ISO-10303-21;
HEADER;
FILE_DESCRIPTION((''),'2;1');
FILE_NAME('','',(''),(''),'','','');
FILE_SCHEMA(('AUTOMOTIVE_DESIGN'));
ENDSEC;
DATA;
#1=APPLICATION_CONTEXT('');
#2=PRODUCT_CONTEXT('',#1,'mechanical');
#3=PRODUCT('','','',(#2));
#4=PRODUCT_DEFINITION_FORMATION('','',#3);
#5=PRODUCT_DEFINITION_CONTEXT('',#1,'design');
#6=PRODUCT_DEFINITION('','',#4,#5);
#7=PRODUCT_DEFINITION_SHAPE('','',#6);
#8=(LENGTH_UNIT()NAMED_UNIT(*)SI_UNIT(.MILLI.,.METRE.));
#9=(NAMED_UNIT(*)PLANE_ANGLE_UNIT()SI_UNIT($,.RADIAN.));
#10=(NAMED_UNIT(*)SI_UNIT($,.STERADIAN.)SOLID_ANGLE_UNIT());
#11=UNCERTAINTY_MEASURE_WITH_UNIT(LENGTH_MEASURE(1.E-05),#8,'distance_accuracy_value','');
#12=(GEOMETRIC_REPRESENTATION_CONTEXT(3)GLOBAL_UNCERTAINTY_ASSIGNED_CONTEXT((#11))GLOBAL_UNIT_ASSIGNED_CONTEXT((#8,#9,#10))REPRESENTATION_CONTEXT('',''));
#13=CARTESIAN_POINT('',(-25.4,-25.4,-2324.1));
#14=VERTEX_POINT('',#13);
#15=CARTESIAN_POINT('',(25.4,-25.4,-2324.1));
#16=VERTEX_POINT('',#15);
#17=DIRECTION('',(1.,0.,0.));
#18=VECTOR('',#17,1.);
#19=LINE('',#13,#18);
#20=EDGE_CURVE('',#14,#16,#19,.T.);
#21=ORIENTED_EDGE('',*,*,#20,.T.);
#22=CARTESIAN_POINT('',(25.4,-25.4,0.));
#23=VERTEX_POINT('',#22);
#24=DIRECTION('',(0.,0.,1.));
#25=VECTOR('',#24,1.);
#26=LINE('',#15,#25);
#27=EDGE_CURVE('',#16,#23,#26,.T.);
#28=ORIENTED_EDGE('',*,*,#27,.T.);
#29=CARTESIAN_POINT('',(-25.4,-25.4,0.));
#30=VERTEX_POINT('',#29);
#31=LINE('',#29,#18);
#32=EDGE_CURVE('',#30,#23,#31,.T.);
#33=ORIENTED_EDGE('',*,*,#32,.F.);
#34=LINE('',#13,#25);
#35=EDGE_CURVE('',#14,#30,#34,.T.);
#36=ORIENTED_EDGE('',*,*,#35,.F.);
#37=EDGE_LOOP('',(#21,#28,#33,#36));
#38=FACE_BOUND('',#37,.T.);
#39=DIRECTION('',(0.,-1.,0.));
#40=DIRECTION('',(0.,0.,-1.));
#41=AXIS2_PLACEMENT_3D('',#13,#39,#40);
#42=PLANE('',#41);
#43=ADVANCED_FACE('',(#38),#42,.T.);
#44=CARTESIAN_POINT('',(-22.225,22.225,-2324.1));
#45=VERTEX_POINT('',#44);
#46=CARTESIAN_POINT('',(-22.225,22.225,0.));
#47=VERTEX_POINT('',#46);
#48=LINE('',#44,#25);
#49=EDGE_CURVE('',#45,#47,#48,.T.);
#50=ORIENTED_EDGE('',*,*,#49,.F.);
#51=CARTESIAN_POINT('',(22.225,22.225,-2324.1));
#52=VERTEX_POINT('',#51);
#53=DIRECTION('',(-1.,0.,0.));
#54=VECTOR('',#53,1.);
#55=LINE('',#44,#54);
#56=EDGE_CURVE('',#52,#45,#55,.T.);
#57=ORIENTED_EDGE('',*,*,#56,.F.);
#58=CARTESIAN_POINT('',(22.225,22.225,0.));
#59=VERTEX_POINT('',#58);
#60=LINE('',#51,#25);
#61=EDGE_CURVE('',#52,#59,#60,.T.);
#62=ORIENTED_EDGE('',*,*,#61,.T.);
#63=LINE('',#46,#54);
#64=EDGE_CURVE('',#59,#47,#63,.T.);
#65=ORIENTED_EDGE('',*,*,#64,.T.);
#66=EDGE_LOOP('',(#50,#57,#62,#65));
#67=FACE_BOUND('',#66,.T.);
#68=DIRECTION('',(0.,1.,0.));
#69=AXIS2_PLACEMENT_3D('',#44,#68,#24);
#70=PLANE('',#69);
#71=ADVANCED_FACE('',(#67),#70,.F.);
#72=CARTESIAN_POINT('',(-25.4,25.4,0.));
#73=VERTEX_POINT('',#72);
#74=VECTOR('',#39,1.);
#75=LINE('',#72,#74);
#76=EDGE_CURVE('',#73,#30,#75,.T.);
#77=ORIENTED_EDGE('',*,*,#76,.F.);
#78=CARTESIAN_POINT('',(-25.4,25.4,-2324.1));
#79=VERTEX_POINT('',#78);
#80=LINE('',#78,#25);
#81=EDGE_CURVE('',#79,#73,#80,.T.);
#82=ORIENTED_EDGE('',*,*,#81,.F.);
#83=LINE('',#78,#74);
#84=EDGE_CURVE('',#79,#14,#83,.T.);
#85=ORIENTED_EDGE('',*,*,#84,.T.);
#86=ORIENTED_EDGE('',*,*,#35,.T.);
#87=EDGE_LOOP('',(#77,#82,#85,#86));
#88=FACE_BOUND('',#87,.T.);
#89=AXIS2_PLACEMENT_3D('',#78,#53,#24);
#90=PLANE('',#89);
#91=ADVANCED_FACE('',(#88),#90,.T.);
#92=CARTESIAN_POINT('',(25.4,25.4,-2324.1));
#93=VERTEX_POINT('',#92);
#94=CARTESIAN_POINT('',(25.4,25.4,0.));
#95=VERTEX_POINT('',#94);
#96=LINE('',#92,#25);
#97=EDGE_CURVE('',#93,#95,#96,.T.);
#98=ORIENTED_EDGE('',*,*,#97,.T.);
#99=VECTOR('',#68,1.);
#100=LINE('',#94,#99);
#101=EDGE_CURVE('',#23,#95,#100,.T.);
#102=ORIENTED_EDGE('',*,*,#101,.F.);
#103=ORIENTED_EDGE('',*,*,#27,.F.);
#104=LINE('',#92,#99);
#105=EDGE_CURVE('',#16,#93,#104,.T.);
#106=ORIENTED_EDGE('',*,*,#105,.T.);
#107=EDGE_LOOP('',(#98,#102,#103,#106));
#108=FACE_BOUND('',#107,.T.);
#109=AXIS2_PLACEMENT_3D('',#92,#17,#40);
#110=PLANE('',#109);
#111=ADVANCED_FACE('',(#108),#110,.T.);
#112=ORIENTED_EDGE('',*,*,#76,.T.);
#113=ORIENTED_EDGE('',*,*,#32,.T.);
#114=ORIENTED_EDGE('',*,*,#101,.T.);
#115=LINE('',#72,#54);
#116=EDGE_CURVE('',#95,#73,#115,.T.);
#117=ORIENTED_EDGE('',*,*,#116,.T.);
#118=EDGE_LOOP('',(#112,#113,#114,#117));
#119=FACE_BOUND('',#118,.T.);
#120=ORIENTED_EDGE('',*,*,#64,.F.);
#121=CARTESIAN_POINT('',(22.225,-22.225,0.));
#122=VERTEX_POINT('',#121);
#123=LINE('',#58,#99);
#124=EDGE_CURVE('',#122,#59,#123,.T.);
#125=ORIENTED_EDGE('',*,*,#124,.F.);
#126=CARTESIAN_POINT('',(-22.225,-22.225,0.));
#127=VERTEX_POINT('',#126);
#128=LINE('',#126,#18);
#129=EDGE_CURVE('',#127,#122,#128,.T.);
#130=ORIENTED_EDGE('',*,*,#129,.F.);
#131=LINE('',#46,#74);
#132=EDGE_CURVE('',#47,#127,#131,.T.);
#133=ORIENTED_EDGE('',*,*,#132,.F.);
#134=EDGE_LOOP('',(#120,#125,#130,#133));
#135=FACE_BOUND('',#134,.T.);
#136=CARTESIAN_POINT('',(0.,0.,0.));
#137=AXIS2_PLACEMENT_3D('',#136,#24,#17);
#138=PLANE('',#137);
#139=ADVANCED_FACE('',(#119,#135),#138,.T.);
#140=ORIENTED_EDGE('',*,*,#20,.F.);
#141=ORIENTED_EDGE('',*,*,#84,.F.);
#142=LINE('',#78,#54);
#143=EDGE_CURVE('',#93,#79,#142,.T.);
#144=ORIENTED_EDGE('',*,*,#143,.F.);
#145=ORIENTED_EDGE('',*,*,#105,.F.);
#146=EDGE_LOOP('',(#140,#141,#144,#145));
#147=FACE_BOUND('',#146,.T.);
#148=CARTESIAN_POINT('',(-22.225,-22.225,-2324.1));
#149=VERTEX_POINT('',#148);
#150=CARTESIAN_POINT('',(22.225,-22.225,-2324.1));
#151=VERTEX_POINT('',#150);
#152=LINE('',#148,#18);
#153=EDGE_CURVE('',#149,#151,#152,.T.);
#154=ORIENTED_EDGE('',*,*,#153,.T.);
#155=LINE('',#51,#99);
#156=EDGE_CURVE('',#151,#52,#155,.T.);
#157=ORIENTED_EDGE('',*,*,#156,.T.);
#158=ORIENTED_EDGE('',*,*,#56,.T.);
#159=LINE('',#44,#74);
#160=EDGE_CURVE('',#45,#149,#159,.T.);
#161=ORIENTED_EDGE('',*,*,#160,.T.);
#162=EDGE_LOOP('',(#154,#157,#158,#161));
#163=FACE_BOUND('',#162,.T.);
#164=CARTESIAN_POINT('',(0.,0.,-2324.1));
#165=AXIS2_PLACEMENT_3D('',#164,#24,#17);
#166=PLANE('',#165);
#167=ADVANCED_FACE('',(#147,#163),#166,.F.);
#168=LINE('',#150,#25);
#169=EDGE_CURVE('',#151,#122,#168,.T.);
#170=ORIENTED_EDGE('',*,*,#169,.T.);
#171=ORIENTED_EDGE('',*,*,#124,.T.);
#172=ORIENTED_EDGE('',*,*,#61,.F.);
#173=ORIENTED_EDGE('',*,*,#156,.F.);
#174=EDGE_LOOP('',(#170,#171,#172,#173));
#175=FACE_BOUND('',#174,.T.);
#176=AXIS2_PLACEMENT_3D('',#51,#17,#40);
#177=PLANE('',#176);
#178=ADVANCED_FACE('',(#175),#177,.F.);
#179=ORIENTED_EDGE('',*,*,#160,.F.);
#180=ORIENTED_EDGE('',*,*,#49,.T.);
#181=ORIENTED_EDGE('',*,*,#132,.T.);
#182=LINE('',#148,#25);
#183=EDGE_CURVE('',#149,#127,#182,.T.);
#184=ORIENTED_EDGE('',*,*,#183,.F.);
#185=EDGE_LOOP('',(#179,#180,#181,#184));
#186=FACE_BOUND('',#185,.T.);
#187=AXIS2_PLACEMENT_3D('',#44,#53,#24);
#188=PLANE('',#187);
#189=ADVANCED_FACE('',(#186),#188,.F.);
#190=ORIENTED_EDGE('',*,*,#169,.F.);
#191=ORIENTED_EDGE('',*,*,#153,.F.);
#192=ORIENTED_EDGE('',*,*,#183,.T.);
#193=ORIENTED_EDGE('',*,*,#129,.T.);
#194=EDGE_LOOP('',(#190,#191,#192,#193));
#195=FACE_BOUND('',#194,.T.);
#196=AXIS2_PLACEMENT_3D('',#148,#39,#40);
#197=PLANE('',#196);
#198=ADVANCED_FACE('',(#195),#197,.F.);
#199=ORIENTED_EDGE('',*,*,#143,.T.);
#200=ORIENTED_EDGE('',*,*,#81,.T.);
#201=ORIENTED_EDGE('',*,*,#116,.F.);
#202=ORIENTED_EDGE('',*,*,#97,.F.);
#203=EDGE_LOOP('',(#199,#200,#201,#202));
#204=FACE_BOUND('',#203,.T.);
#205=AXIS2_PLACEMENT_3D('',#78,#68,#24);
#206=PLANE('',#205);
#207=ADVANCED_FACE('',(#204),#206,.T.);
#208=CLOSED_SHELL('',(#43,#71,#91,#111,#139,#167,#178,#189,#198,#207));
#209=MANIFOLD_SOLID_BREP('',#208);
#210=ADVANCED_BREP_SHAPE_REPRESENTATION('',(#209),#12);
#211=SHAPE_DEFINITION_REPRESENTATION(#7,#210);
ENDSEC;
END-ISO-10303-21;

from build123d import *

# Parameters (mm, degrees)
SKETCH1_W           = 50.8
SKETCH1_H           = 50.8
SKETCH1_W_2         = 44.45
SKETCH1_H_2         = 44.45
BOSS_EXTRUDE1_DEPTH = 2324.1


with BuildPart() as part:
    # Sketch1 → Boss-Extrude1 (new body)
    with BuildSketch(Plane.XY):
        Rectangle(SKETCH1_W, SKETCH1_H)
        Rectangle(SKETCH1_W_2, SKETCH1_H_2, mode=Mode.SUBTRACT)
    extrude(amount=-BOSS_EXTRUDE1_DEPTH)


solid = part.part
